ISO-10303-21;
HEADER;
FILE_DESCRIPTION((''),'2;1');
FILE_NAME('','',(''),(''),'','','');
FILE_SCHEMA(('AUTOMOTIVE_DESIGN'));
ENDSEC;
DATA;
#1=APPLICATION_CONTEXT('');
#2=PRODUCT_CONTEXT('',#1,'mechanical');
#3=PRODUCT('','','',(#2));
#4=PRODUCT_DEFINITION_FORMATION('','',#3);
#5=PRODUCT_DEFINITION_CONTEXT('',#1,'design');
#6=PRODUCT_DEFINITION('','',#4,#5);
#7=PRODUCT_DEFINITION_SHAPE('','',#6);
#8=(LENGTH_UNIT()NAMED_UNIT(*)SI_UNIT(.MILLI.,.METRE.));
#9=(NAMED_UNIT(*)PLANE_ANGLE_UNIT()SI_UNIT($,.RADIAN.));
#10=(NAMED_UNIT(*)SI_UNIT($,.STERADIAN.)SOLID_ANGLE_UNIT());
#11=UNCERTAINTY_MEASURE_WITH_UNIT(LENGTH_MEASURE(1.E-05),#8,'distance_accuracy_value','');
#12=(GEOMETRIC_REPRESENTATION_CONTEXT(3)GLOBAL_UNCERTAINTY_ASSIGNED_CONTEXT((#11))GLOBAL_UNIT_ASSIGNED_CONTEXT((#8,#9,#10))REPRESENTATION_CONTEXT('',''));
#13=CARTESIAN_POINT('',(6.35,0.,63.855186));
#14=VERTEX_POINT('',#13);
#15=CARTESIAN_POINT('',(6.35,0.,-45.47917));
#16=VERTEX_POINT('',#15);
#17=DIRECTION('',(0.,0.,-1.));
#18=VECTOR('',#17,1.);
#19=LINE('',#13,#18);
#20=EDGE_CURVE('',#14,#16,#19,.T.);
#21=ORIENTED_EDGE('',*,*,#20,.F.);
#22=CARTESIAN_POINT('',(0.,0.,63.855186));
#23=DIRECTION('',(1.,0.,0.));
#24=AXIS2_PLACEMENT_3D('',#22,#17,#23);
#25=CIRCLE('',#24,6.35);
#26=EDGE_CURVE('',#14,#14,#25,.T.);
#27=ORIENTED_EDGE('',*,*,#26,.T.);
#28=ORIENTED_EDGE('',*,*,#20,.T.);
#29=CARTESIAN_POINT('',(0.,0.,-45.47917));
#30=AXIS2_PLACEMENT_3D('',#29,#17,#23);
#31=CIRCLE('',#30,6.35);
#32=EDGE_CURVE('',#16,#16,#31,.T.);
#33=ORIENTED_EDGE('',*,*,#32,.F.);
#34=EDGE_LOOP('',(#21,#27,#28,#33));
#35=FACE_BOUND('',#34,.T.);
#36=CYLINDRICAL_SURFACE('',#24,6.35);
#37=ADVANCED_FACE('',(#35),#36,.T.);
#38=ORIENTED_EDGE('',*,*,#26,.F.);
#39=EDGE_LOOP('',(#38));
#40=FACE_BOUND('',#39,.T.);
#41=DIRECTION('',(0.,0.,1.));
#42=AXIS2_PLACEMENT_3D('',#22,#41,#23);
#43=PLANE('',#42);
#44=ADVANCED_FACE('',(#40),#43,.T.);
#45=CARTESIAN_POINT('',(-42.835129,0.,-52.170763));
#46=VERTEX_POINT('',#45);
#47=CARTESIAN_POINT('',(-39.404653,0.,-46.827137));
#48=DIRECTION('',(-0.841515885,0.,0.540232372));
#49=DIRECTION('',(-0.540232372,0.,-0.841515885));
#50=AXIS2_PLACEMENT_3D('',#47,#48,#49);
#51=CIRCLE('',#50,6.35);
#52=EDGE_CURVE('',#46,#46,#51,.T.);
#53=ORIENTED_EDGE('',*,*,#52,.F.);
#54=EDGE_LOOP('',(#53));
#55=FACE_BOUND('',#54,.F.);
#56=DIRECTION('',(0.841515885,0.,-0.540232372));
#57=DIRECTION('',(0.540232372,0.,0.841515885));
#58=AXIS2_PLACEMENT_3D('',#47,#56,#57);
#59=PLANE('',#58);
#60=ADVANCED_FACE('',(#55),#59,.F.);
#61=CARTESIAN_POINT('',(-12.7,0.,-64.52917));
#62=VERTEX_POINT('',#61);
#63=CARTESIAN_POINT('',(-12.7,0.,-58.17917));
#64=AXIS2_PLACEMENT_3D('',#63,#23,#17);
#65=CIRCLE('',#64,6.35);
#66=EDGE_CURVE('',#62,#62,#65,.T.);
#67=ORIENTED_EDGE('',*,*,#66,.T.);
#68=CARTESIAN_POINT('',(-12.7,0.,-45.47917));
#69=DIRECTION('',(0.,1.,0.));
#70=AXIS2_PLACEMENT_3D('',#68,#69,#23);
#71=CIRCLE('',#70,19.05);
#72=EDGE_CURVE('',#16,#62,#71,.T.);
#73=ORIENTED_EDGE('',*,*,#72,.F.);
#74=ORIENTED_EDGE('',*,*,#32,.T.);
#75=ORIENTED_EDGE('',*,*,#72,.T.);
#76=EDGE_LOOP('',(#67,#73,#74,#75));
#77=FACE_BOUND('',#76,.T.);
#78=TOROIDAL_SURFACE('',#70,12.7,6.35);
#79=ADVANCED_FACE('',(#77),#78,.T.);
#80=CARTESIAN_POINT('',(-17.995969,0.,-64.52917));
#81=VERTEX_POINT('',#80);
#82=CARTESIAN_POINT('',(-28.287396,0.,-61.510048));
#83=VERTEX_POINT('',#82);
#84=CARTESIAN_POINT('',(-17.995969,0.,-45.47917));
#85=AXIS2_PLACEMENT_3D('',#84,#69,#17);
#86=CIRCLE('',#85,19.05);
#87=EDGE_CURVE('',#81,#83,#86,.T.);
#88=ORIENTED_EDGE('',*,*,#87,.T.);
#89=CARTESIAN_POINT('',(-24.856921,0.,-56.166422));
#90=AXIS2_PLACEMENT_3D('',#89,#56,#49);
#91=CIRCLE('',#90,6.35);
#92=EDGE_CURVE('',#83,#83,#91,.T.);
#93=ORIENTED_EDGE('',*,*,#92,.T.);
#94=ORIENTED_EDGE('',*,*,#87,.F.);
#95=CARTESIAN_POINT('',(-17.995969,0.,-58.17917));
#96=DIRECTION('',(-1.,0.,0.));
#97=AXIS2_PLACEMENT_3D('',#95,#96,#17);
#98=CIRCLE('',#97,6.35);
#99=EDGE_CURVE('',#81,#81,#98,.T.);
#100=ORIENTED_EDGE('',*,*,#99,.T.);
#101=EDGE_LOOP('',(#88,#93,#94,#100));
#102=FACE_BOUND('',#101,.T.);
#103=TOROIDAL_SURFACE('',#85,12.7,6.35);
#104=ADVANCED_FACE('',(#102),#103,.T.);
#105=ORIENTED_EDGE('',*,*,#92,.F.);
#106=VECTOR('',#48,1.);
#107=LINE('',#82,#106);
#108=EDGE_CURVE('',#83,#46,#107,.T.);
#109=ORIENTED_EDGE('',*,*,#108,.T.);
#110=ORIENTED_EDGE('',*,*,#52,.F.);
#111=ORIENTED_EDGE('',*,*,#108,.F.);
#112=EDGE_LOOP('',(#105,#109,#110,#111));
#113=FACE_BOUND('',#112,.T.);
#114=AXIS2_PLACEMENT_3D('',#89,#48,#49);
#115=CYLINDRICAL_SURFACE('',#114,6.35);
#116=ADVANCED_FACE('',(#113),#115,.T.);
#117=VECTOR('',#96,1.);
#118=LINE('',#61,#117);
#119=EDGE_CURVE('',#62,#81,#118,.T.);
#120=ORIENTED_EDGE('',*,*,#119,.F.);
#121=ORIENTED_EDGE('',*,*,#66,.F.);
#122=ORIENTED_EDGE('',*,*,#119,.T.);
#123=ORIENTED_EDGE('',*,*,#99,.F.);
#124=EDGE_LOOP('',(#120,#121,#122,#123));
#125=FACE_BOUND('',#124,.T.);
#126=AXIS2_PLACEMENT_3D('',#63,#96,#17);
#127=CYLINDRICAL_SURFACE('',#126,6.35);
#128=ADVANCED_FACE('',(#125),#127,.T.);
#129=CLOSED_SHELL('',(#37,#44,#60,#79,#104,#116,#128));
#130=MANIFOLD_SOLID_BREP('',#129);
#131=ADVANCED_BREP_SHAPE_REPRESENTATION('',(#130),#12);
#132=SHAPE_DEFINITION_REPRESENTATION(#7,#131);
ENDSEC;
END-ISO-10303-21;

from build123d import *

# Parameters (mm, degrees)
F2_R = 6.35


with BuildPart() as f3:
    # F3: sweep along a path in F0
    with BuildLine(Plane.XZ) as f3_path:
        Line((0, 63.8551861048), (0, -45.4791698933))
        ThreePointArc((0, -45.4791698933), (-3.7197438789, -54.4594260143), (-12.7, -58.1791698933))
        Line((-12.7, -58.1791698933), (-17.9959694979, -58.1791698933))
        ThreePointArc((-17.9959694979, -58.1791698933), (-21.5710151569, -57.6655987605), (-24.8569206193, -56.1664216312))
        Line((-24.8569206193, -56.1664216312), (-39.4046530128, -46.8271374702))
    # F2 (on plane+point) → F3 (sweep)
    with BuildSketch(Plane.XY.offset(63.8551861048)):
        Circle(F2_R)
    sweep(path=f3_path.line)


solid = f3.part
